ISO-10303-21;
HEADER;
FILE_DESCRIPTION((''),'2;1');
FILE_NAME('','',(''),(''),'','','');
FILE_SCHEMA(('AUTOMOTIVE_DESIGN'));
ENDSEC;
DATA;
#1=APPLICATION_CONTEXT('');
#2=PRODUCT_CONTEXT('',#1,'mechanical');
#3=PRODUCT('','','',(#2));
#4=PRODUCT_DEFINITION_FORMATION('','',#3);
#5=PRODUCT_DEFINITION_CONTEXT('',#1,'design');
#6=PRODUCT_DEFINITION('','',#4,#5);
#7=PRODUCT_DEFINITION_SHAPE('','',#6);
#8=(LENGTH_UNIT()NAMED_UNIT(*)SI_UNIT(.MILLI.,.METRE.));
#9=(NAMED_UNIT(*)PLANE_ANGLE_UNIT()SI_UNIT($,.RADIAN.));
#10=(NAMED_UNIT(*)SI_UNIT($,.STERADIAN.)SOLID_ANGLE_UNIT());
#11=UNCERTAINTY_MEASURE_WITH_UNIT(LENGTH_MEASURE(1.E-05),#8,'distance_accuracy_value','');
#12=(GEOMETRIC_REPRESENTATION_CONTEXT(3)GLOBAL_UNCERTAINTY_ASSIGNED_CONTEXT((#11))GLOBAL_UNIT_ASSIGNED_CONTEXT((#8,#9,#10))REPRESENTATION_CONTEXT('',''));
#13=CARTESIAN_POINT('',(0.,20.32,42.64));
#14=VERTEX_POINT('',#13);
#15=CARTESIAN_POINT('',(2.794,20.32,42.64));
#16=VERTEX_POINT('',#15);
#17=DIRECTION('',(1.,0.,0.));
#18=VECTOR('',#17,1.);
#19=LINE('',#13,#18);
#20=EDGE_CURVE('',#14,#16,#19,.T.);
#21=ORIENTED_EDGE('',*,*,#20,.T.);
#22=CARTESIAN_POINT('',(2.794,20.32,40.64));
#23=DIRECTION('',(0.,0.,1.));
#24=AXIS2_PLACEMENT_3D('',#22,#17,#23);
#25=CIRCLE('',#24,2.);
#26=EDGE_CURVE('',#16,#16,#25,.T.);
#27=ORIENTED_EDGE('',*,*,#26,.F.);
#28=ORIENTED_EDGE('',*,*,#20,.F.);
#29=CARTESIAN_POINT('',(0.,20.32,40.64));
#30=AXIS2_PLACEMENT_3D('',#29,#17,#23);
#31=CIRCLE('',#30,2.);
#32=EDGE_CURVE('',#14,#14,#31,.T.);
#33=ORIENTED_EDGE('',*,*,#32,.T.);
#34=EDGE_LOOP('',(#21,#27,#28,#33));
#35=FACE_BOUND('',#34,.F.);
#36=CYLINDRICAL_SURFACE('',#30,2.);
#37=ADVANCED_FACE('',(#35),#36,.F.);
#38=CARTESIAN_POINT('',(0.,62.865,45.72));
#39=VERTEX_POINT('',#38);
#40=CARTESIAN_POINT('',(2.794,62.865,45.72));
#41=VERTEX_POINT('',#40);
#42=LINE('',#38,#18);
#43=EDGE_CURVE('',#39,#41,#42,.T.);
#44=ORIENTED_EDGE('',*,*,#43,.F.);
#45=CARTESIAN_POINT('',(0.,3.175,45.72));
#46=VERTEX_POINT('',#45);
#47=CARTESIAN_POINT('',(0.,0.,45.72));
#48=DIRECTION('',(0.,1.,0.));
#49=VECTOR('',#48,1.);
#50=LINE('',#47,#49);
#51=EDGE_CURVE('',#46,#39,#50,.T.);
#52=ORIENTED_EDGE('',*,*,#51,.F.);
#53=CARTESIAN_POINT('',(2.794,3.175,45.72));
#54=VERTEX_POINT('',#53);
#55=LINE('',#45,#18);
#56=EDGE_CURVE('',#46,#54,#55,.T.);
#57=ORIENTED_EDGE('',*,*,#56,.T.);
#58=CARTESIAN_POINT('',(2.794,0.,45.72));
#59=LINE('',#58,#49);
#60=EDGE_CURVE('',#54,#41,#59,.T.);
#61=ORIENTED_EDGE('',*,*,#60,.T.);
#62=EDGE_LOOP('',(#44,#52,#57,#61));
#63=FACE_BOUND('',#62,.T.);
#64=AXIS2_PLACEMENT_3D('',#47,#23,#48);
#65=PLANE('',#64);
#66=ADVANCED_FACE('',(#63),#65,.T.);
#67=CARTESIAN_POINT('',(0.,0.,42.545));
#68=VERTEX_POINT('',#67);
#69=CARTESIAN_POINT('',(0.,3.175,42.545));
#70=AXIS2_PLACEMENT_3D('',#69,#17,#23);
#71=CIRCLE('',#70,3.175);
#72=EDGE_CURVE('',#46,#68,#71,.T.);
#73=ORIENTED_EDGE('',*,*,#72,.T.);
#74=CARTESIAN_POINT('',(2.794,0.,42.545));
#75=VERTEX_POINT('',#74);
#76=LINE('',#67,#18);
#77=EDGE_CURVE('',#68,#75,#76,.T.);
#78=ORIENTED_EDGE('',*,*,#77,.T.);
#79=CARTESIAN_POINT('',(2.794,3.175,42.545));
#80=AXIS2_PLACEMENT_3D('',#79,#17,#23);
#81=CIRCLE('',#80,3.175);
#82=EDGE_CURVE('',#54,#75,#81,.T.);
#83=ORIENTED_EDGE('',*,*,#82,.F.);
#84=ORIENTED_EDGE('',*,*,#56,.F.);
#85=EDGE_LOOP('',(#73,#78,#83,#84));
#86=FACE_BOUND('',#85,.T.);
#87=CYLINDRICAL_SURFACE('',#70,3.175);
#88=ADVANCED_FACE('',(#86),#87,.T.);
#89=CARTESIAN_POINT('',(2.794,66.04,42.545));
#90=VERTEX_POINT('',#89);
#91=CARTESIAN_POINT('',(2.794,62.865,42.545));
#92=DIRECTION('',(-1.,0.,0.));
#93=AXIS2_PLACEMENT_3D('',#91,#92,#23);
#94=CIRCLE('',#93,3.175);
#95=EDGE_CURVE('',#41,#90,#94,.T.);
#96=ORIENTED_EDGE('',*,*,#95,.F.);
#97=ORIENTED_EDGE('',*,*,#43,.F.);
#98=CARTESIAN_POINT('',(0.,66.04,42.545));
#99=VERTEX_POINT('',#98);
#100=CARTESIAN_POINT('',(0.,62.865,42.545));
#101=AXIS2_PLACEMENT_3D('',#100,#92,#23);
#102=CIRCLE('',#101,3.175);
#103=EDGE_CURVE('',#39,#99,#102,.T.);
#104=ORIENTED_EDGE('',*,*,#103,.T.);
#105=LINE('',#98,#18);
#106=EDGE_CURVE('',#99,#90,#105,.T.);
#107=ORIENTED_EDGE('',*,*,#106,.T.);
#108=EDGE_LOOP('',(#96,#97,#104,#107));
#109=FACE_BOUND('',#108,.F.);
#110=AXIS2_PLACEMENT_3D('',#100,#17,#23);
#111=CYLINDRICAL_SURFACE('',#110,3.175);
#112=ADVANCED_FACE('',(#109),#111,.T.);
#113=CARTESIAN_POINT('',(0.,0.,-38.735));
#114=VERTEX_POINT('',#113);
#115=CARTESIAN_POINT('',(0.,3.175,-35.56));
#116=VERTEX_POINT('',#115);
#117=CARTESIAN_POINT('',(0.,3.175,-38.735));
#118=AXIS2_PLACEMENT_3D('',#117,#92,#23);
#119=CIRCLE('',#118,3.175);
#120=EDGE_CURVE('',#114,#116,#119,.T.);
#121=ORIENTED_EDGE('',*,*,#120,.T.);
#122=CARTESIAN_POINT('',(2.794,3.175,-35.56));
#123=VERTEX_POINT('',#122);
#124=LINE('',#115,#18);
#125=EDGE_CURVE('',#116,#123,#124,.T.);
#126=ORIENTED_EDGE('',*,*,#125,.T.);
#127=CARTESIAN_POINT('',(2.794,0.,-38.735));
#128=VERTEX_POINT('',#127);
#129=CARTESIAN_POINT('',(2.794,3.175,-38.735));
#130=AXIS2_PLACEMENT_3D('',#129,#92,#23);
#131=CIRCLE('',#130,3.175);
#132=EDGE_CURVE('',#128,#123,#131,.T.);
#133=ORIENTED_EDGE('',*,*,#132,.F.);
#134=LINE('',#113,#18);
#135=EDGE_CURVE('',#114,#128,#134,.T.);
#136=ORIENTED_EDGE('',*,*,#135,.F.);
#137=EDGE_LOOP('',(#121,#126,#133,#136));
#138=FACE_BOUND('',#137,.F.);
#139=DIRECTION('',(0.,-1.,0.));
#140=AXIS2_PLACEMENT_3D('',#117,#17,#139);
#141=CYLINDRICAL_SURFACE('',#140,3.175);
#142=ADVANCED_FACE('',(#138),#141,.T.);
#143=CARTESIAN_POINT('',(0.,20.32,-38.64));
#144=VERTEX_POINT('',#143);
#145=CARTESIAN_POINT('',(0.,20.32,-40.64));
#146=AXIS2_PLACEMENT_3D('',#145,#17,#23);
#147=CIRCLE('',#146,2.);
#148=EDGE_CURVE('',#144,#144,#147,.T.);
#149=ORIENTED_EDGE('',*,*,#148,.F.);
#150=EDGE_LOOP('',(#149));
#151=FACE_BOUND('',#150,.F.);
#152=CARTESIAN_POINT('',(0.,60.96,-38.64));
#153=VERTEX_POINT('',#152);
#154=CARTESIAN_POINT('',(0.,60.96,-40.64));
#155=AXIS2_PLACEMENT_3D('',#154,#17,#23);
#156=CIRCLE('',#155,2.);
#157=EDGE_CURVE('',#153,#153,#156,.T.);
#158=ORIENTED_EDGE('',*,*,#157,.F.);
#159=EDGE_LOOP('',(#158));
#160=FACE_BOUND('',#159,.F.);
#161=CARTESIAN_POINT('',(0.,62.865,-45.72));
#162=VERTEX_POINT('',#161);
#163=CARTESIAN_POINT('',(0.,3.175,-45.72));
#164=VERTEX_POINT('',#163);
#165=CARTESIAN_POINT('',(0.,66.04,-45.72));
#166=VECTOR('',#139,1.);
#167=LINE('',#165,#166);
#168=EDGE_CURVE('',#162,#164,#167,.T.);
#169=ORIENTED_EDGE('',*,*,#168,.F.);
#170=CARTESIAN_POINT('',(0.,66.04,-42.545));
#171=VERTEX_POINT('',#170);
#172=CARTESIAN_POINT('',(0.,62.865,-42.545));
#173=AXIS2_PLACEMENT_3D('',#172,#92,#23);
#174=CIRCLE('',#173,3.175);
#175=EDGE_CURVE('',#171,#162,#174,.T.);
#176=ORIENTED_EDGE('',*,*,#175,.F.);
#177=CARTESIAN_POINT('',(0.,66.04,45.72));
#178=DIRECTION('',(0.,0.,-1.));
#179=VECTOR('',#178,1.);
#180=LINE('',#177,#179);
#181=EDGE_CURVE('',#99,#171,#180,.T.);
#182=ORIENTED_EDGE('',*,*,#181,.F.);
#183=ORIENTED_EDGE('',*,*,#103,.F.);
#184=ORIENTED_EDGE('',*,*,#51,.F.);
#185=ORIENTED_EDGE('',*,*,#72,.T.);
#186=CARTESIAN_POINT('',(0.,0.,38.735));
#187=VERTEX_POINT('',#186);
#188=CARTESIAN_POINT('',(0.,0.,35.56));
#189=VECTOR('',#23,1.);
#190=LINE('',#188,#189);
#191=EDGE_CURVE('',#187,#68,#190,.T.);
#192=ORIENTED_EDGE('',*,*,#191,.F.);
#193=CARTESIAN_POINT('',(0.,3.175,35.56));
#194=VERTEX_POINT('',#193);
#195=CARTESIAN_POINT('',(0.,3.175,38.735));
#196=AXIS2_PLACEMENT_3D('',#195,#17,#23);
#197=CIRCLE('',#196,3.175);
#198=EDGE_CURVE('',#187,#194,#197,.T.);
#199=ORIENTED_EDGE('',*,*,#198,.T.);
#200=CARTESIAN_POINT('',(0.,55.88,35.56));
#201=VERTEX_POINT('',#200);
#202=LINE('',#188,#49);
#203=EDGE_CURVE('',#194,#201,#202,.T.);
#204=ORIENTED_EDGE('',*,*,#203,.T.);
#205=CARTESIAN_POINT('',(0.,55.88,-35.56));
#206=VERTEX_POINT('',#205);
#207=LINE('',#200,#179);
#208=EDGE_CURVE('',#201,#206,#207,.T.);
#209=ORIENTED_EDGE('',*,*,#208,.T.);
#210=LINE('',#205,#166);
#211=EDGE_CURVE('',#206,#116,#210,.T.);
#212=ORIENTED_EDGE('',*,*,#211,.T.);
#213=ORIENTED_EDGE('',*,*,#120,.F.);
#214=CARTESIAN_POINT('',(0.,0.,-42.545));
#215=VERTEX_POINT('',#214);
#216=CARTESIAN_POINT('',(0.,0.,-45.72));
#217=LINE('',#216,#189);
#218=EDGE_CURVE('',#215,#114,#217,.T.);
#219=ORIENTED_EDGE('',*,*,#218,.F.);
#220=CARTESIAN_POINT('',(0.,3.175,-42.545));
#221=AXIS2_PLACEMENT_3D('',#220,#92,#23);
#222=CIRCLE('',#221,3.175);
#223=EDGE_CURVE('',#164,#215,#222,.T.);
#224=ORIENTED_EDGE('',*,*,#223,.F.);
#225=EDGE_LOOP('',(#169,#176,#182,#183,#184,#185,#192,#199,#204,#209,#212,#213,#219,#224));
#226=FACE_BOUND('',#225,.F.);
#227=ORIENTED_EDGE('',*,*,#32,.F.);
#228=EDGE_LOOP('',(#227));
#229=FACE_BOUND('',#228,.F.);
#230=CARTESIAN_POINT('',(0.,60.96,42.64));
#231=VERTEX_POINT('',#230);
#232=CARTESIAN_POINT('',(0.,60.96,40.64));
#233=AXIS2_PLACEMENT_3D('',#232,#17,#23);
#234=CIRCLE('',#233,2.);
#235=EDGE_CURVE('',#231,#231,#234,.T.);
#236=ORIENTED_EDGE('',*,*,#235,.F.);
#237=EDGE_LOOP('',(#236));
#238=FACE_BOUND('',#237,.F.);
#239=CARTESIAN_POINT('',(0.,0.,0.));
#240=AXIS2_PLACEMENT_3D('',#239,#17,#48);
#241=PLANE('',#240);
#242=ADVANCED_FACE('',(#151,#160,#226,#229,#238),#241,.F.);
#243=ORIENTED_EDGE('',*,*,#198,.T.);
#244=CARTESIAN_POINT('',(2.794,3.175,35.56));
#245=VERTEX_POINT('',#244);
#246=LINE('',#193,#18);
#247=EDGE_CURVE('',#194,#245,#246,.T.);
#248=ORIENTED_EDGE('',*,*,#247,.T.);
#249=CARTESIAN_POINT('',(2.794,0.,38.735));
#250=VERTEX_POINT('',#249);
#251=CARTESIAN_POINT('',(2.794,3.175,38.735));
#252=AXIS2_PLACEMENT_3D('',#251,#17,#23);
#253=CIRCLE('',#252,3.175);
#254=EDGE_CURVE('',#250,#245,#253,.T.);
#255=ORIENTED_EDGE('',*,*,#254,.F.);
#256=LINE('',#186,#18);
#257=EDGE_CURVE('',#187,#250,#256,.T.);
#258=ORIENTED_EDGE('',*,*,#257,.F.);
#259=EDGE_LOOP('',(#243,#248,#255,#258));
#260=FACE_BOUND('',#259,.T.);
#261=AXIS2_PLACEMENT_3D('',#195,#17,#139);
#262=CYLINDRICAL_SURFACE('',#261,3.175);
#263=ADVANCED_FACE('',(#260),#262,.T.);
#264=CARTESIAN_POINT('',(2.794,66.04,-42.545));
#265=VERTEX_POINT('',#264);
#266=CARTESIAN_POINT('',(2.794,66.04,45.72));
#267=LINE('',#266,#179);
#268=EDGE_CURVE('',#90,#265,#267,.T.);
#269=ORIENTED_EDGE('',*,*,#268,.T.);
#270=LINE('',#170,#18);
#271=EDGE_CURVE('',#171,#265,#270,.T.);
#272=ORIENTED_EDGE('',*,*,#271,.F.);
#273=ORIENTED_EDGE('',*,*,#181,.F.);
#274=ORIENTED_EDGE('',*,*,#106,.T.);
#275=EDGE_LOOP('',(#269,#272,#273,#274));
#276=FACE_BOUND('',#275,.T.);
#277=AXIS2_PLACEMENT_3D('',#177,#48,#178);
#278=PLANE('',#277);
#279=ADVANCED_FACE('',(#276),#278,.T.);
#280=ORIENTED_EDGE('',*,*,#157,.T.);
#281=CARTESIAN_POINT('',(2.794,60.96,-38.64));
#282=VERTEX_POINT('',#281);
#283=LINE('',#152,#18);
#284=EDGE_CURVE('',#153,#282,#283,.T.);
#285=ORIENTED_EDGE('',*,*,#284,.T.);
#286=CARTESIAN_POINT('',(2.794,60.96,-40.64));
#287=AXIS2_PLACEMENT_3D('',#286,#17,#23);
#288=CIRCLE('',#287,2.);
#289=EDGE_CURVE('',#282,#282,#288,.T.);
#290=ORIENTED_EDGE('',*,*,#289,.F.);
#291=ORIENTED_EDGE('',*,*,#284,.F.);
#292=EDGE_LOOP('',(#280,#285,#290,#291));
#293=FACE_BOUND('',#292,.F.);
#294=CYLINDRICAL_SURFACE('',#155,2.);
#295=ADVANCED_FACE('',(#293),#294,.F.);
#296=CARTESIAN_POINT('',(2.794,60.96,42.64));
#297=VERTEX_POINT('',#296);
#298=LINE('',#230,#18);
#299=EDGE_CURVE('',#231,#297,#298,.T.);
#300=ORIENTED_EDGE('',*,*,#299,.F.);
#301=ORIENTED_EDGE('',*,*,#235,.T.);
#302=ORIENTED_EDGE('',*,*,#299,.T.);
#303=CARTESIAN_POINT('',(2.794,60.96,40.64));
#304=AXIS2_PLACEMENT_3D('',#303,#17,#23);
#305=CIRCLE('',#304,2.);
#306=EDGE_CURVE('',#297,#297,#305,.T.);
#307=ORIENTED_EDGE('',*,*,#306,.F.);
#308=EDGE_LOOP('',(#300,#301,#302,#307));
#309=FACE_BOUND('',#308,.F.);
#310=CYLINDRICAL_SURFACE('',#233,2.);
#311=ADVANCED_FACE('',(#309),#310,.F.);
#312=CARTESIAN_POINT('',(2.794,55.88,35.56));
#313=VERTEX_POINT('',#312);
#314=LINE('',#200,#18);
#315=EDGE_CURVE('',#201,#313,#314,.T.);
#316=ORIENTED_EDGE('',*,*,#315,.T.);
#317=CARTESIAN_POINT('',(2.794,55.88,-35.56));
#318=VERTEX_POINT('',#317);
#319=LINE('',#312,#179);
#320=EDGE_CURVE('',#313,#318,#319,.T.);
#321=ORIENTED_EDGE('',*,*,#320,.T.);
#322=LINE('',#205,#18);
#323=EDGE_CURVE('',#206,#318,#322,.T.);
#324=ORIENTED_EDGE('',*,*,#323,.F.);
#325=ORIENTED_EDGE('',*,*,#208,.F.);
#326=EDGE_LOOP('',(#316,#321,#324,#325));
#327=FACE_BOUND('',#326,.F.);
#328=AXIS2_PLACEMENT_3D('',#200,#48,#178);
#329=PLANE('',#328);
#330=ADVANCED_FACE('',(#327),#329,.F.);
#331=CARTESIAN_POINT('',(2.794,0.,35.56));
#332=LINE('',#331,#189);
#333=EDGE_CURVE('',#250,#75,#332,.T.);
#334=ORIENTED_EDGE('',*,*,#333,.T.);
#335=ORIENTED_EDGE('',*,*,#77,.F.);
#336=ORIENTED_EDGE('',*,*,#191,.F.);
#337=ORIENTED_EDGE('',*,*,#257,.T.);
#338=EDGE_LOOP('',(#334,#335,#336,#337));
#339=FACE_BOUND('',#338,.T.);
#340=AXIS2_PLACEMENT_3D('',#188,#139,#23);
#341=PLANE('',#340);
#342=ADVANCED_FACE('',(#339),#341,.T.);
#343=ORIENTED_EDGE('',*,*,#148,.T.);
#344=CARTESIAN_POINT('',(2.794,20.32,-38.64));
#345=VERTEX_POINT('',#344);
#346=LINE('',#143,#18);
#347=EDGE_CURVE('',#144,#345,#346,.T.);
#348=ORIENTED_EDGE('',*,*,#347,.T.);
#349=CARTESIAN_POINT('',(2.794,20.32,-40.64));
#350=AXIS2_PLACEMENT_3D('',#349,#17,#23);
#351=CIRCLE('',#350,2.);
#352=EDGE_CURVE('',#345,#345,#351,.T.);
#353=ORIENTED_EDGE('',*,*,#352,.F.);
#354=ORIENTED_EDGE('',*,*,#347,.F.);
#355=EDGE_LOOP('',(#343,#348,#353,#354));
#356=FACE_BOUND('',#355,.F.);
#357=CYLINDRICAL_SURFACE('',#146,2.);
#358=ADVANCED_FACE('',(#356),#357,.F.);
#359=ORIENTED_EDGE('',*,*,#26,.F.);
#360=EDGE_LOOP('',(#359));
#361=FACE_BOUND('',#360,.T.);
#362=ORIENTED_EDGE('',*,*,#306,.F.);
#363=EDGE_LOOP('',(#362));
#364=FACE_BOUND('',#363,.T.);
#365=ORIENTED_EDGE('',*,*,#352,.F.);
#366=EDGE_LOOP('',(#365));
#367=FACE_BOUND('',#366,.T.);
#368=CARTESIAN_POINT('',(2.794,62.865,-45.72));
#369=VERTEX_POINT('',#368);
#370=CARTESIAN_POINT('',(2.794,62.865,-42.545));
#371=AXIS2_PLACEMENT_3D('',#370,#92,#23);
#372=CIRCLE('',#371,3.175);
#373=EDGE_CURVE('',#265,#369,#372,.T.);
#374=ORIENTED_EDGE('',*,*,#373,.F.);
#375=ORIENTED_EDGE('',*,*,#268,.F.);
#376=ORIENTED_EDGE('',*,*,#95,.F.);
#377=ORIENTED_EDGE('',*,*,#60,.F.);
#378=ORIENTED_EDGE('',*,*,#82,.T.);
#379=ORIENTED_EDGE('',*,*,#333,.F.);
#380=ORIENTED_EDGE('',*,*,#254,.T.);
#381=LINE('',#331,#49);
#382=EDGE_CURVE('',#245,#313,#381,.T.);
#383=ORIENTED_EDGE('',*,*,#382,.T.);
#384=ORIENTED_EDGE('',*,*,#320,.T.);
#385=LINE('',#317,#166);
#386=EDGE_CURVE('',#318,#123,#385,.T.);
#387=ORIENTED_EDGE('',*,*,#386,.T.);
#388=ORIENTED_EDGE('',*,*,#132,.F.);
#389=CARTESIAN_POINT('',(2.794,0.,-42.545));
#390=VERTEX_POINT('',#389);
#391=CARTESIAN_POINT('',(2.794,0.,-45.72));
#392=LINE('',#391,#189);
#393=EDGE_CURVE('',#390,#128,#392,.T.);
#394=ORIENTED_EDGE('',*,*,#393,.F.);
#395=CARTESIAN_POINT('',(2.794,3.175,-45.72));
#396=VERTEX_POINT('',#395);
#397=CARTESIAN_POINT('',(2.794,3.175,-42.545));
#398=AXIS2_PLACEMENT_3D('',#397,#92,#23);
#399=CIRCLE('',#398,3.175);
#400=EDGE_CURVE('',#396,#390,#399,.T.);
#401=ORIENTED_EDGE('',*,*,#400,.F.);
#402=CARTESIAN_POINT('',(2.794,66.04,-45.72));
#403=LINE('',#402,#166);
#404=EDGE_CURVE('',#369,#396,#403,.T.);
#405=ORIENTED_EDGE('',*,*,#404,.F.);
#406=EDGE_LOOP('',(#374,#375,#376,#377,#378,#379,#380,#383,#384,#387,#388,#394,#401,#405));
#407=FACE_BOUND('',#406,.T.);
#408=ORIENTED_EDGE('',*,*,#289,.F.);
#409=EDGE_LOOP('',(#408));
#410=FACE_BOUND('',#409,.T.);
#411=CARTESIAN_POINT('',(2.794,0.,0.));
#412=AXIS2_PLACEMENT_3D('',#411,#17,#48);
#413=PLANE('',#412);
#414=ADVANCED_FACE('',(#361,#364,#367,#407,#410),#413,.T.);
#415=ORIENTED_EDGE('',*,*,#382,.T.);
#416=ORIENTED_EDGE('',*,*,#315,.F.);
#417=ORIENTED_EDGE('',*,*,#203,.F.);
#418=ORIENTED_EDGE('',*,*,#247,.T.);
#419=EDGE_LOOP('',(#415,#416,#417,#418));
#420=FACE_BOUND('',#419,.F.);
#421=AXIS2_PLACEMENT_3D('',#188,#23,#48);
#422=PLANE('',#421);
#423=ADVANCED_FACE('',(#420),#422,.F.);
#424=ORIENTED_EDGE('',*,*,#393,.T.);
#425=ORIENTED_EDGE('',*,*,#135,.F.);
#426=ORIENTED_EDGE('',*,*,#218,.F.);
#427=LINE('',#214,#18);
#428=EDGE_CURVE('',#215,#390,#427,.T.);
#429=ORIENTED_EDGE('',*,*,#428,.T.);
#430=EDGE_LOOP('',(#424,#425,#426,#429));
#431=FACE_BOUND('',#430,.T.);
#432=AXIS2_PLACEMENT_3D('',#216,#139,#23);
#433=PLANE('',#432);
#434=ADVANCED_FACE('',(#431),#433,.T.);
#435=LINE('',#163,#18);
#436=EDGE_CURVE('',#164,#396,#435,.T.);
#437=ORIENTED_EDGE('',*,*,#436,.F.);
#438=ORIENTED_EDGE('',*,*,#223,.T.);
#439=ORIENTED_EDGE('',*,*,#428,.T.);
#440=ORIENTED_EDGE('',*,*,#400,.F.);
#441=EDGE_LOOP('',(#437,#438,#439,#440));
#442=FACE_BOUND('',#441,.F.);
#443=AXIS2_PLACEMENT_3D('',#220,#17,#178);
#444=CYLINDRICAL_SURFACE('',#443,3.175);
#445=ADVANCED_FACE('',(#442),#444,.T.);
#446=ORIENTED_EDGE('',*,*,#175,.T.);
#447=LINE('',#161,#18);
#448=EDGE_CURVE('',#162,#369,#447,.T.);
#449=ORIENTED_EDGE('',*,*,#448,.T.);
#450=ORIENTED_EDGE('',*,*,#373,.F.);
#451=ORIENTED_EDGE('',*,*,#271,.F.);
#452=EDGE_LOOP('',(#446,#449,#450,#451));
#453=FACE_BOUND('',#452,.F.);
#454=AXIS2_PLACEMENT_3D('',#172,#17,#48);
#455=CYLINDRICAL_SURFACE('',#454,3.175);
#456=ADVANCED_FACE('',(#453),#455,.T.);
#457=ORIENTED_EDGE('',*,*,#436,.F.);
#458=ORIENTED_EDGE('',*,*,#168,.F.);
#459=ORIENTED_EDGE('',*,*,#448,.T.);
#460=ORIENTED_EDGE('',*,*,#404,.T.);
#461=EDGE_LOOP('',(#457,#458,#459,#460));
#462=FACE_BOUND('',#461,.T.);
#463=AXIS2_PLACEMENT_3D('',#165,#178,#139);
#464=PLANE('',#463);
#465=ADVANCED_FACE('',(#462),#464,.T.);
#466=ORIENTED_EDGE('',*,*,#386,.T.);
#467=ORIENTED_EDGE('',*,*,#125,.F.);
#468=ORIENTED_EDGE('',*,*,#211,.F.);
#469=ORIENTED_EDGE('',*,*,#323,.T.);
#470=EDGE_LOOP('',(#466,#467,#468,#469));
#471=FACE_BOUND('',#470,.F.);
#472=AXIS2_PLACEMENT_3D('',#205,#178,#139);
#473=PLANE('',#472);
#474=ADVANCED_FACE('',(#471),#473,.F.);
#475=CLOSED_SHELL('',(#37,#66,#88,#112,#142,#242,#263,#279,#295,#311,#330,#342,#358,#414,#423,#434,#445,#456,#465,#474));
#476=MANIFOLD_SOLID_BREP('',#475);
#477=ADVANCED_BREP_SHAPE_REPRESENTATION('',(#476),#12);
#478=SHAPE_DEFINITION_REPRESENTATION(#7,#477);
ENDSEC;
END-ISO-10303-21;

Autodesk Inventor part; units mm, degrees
ref_plane "YZ Plane" through (0, 0, 0) normal (1, 0, 0) x (0, 1, 0)
ref_plane "XZ Plane" through (0, 0, 0) normal (0, 1, 0) x (-1, 0, 0)
ref_plane "XY Plane" through (0, 0, 0) normal (0, 0, 1) x (1, 0, 0)
sketch "Sketch1" plane through (0, 0, 0) normal (1, 0, 0) x (0, 1, 0)
  line L0 (0, 45.72) -> (66.04, 45.72)
  line L1 (66.04, 45.72) -> (66.04, -45.72)
  line L2 (66.04, -45.72) -> (0, -45.72)
  line L3 (0, 35.56) -> (55.88, 35.56)
  line L4 (55.88, 35.56) -> (55.88, -35.56)
  line L5 (55.88, -35.56) -> (0, -35.56)
  line L6 (55.88, 35.56) -> (66.04, 45.72) construction
  line L7 (55.88, -35.56) -> (66.04, -45.72) construction
  line L8 (0, 45.72) -> (0, -45.72) construction
  line L9 (0, -45.72) -> (0, -35.56)
  line L10 (0, 35.56) -> (0, 45.72)
  point P0 (0, 0)
  point P1 (60.96, 40.64)
  point P2 (60.96, -40.64)
  point P3 (20.32, -40.64)
  point P4 (20.32, 40.64)
  point P5 (0, 0)
  dimension "d0" = 71.12
  dimension "d1" = 10.16
  dimension "d2" = 10.16
  dimension "d3" = 10.16
  dimension "d4" = 66.04
  dimension "d7" = 40.64
extrude "Extrusion2" add sketch "Sketch1" along normal blind 2.794
hole "Hole2" at (0, 60.96, 40.64) at (0, 60.96, -40.64) at (0, 20.32, -40.64) at (0, 20.32, 40.64) direction (1, 0, 0) diameter 4 end through all
fillet "Fillet1" radius 3.175 6 edges at (1.397, 0, -35.56) (1.397, 0, 35.56) (1.397, 0, -45.72) (1.397, 0, 45.72) (1.397, 66.04, 45.72) (1.397, 66.04, -45.72)
equation "\"d2\" = d1"
equation "\"d3\" = d2"
properties part number "ArmSpacer" material "Polycarbonate, Smoke"
